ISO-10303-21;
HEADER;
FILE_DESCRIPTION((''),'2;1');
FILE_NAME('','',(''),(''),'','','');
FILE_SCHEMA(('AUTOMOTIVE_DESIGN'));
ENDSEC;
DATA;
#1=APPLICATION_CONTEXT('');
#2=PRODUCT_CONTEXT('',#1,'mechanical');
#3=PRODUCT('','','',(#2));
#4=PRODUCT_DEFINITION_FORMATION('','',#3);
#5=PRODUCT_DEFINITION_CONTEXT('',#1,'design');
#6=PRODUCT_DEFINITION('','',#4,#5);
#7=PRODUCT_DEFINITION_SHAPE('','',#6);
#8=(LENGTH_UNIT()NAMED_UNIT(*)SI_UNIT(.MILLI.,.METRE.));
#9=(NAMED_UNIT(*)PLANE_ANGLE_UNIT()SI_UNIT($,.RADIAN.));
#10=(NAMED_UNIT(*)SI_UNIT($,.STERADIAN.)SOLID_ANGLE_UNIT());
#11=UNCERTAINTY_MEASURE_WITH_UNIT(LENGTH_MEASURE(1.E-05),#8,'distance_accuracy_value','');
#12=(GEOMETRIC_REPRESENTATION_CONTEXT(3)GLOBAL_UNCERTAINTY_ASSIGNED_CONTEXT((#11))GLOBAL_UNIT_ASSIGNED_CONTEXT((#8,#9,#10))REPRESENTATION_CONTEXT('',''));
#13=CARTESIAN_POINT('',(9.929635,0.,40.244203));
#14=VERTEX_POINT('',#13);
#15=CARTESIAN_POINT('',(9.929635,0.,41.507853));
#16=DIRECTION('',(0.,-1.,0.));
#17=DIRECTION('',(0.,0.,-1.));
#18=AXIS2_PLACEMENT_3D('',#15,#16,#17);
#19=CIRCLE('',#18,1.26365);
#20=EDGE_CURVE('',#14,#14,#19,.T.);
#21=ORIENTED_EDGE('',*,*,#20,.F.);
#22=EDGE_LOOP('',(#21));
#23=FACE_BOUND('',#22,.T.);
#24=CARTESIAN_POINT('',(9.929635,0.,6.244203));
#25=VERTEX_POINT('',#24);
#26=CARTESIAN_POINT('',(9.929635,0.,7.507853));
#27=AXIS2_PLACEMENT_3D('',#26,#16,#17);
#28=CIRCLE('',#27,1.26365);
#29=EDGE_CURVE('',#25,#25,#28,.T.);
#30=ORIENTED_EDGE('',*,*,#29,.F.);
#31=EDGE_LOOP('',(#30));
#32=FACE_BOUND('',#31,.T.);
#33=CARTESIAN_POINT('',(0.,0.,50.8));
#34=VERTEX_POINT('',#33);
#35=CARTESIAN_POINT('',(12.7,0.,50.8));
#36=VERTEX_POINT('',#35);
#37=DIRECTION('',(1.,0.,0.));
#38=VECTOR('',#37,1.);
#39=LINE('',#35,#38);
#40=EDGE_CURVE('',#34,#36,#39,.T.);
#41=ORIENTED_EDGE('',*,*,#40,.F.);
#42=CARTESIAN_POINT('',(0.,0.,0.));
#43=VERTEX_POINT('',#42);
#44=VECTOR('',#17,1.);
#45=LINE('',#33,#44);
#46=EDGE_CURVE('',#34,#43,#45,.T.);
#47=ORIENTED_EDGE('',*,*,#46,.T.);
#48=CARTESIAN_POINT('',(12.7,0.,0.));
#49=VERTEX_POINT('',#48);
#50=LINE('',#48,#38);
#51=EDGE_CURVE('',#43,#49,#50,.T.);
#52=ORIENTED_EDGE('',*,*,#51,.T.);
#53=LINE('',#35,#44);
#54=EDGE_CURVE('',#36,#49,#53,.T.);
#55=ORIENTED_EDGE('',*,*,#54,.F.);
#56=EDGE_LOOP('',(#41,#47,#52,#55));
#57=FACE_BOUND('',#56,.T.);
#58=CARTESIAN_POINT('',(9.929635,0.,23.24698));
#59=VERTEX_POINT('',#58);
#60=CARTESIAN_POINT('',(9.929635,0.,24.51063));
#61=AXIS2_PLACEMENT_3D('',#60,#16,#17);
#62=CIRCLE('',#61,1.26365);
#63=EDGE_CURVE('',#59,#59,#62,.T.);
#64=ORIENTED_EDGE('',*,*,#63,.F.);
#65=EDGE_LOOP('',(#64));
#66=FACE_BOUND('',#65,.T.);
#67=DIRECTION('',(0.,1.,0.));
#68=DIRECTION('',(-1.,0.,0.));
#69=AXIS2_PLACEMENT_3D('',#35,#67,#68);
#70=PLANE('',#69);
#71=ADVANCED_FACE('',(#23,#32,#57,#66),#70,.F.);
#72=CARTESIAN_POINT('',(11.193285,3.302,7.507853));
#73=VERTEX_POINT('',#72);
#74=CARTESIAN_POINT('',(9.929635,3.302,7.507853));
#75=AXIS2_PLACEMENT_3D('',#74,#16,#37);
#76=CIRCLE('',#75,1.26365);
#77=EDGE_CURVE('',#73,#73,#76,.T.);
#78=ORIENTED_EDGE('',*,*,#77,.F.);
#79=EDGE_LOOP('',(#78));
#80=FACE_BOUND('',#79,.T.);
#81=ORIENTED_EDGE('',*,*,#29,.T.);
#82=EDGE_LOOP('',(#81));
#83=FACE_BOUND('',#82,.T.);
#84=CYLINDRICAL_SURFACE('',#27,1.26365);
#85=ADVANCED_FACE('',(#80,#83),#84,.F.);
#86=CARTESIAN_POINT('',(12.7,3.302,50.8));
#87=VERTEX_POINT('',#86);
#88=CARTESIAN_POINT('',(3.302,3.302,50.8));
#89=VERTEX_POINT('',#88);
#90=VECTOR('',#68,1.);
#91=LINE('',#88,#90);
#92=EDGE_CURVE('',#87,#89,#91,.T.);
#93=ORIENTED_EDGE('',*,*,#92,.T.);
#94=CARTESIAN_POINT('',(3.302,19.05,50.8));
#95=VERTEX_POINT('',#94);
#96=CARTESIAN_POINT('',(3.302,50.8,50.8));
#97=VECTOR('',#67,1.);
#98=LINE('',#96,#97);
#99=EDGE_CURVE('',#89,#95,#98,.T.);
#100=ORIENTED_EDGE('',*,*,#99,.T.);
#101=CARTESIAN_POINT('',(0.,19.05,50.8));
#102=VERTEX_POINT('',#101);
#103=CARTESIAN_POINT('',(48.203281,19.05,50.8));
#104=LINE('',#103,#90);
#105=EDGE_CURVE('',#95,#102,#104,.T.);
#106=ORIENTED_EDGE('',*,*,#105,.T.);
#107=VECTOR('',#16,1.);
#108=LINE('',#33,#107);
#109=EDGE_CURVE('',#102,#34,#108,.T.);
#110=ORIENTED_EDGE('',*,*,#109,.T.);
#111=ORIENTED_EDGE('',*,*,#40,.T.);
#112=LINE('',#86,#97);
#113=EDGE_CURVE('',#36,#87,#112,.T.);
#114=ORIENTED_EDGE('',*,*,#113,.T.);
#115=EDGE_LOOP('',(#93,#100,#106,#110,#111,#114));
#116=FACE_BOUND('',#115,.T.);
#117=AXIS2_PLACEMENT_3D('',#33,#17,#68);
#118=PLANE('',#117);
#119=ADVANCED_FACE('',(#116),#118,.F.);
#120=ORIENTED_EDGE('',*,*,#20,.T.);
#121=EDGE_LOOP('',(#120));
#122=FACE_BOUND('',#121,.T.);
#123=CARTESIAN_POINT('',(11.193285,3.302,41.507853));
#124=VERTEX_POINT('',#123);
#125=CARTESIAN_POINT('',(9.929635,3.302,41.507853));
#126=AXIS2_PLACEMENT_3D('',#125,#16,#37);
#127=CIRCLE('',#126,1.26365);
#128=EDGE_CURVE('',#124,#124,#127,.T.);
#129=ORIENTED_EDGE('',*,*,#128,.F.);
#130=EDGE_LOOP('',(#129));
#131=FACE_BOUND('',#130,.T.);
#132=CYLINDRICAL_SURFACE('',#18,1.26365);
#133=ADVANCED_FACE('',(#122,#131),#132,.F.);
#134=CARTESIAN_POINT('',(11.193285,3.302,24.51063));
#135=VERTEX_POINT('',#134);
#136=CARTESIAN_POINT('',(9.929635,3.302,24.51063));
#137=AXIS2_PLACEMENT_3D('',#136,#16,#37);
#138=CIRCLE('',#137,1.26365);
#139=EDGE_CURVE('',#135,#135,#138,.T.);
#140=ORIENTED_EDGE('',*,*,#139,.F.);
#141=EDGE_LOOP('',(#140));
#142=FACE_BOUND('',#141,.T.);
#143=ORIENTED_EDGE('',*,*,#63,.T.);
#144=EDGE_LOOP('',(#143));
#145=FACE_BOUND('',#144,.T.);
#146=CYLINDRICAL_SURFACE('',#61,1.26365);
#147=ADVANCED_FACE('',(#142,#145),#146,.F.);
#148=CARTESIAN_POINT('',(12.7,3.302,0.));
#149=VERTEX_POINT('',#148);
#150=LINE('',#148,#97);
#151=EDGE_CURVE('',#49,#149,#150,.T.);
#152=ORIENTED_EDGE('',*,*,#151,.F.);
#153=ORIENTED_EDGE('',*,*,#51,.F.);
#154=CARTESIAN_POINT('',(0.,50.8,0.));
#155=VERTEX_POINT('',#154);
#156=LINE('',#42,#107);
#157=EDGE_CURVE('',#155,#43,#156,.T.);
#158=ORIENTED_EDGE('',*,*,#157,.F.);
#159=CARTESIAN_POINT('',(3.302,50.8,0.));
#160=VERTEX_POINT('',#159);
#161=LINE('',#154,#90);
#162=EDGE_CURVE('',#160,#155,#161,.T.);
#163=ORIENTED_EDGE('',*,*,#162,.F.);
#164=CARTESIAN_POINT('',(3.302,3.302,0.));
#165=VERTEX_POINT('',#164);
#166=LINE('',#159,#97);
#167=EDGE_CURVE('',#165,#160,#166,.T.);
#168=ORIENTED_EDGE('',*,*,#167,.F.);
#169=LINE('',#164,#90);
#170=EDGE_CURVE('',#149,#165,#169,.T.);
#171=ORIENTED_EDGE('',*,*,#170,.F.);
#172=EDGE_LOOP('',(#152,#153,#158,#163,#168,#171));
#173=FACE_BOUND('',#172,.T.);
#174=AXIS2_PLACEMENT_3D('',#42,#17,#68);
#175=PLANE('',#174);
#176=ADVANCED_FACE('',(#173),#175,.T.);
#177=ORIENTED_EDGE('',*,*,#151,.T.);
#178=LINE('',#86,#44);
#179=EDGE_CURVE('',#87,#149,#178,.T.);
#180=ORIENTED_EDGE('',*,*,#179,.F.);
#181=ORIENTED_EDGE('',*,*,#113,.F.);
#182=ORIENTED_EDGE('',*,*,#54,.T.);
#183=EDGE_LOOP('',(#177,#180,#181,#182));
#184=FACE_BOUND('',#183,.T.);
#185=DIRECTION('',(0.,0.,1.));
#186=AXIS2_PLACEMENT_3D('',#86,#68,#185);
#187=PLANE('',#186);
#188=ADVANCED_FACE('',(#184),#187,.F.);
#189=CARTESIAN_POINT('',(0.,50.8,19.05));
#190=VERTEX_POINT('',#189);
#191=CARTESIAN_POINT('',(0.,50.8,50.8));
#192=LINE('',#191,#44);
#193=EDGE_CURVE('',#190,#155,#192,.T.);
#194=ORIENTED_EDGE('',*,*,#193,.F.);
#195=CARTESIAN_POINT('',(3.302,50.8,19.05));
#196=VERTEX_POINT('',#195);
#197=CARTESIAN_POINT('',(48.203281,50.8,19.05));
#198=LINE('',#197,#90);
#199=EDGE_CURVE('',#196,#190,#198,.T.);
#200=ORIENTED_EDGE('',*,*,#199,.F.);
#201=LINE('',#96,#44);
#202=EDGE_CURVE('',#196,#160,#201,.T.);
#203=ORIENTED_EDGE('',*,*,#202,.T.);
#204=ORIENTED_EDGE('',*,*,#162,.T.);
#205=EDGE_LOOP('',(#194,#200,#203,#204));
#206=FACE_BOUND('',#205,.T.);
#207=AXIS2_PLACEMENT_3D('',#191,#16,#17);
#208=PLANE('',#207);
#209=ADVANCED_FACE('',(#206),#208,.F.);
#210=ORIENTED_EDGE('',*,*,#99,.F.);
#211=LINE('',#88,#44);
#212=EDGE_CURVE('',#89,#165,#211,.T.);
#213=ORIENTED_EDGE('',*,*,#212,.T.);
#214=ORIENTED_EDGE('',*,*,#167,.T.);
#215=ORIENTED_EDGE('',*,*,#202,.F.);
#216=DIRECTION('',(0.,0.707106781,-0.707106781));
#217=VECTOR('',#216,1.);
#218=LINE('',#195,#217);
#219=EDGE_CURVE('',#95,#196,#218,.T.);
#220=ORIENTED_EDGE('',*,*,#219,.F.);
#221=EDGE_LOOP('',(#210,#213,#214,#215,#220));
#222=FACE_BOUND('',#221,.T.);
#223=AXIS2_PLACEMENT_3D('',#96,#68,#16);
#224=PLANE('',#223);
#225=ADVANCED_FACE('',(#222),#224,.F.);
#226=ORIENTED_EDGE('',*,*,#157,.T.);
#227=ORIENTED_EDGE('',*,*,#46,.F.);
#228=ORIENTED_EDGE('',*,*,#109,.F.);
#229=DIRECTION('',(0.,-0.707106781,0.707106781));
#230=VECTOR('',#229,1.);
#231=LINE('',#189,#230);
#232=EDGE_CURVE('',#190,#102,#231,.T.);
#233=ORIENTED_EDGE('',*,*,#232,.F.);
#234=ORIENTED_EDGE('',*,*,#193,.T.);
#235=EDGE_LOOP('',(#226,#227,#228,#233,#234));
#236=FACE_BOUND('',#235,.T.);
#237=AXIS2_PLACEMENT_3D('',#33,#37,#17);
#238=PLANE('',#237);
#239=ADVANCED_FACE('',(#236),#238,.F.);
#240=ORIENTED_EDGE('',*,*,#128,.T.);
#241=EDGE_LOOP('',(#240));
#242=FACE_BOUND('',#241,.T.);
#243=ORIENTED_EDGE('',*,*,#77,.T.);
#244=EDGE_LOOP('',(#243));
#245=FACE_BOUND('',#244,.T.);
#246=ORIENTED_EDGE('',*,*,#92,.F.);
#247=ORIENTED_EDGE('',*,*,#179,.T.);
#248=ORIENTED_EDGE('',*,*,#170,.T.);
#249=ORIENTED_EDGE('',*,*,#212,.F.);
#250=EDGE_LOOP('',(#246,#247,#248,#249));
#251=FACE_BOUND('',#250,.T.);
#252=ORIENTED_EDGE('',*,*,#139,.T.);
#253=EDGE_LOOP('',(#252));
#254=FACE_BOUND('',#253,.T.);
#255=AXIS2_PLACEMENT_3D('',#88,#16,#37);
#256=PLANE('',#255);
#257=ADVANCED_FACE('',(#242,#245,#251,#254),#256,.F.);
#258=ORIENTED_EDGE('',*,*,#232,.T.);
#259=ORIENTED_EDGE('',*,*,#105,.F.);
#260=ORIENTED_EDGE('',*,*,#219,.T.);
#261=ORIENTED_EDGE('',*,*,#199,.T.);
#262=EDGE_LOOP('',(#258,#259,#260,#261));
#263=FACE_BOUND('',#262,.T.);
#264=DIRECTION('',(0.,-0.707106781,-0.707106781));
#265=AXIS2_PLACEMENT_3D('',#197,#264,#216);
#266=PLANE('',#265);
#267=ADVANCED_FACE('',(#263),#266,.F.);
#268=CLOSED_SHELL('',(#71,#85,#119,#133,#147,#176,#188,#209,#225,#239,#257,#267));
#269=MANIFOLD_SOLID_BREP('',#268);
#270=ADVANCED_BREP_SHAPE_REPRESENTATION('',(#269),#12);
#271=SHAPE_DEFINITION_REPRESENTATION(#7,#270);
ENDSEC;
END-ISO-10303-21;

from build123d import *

# Parameters (mm, degrees)
BOSS_EXTRUDE1_DEPTH          = 50.8
F_39_0_0995_DIAMETER_HOLE1_D = 2.5273
CUT_EXTRUDE1_DEPTH           = 3.302


with BuildPart() as part:
    # Sketch4 → Boss-Extrude1 (new body)
    with BuildSketch(Plane.XY):
        Polygon((0, 0), (0, 50.8), (3.302, 50.8), (3.302, 3.302), (12.7, 3.302), (12.7, 0), align=None)
    extrude(amount=BOSS_EXTRUDE1_DEPTH)

    # #39 (0.0995) Diameter Hole1 (through all)
    with Locations(Plane(origin=(0, 0, 0), x_dir=(-1, 0, 0), z_dir=(0, -1, 0))):
        with Locations((-9.929634817, -7.507852782), (-9.929634817, -24.510629703), (-9.929634817, -41.507852782)):
            Hole(F_39_0_0995_DIAMETER_HOLE1_D / 2)

    # Sketch7 → Cut-Extrude1 (cut)
    with BuildSketch(Plane.ZY):
        Polygon((50.8, 50.8), (19.05, 50.8), (50.8, 19.05), align=None)
    extrude(amount=-CUT_EXTRUDE1_DEPTH, mode=Mode.SUBTRACT)


solid = part.part
